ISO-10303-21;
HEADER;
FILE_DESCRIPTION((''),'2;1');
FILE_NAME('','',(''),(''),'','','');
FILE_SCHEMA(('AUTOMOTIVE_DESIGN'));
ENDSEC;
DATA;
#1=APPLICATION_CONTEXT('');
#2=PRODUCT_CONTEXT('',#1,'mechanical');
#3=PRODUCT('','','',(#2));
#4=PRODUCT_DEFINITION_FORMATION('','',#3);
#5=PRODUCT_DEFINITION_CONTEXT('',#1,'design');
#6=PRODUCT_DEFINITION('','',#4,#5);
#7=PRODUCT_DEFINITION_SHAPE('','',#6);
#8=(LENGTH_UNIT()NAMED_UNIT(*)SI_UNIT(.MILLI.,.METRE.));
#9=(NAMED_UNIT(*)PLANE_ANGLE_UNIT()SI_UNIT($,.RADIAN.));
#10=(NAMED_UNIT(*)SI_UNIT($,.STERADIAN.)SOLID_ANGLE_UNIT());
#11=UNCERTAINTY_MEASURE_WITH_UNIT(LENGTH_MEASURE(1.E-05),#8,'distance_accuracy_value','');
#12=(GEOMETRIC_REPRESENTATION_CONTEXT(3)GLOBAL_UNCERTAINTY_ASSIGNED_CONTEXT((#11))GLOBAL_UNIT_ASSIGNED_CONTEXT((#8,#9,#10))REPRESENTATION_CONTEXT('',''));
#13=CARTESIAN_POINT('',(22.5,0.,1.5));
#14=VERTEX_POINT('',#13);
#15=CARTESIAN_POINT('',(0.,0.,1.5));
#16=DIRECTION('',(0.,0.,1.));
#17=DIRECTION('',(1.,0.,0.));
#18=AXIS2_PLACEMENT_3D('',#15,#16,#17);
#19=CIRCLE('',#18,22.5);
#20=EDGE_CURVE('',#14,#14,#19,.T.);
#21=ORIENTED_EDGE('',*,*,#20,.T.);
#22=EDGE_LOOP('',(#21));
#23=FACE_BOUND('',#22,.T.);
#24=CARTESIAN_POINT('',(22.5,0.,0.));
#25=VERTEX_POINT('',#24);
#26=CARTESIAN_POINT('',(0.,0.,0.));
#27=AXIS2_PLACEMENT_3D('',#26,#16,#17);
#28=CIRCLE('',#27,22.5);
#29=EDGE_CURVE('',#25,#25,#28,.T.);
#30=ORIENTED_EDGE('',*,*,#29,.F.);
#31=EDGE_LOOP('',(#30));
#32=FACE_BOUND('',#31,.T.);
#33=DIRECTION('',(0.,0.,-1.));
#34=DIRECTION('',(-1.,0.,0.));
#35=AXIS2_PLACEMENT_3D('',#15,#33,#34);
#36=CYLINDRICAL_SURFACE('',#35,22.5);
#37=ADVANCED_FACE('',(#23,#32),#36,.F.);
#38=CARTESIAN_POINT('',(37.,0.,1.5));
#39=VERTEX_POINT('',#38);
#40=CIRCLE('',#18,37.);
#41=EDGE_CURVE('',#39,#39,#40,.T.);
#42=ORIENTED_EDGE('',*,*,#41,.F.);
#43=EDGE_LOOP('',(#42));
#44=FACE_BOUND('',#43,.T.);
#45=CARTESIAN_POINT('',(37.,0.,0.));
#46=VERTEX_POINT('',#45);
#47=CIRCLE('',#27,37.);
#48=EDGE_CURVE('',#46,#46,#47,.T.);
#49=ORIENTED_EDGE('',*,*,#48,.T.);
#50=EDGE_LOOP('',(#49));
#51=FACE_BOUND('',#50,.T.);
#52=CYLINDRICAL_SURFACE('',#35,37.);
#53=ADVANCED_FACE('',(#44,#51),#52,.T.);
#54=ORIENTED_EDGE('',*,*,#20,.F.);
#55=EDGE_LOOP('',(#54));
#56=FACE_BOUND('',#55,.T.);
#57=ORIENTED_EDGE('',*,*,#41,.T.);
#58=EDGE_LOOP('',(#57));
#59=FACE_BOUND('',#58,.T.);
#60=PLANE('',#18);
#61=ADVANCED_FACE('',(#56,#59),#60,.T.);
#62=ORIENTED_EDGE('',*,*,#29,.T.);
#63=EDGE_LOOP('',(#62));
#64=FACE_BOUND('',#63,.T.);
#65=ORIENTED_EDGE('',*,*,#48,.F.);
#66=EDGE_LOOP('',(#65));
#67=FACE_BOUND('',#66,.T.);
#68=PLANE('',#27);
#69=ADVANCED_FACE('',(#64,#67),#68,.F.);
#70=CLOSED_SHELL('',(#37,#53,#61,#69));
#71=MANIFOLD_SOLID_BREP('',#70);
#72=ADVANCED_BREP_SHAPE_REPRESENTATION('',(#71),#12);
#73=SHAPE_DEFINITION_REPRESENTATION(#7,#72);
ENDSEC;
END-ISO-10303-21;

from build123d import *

# Parameters (mm, degrees)
ESQUISSE1_R          = 37
ESQUISSE1_R_2        = 22.5
BASE_EXTRUSION_DEPTH = 1.5


with BuildPart() as part:
    # Esquisse1 → Base-Extrusion (new body)
    with BuildSketch(Plane.XY):
        Circle(ESQUISSE1_R)
        Circle(ESQUISSE1_R_2, mode=Mode.SUBTRACT)
    extrude(amount=BASE_EXTRUSION_DEPTH)


solid = part.part
